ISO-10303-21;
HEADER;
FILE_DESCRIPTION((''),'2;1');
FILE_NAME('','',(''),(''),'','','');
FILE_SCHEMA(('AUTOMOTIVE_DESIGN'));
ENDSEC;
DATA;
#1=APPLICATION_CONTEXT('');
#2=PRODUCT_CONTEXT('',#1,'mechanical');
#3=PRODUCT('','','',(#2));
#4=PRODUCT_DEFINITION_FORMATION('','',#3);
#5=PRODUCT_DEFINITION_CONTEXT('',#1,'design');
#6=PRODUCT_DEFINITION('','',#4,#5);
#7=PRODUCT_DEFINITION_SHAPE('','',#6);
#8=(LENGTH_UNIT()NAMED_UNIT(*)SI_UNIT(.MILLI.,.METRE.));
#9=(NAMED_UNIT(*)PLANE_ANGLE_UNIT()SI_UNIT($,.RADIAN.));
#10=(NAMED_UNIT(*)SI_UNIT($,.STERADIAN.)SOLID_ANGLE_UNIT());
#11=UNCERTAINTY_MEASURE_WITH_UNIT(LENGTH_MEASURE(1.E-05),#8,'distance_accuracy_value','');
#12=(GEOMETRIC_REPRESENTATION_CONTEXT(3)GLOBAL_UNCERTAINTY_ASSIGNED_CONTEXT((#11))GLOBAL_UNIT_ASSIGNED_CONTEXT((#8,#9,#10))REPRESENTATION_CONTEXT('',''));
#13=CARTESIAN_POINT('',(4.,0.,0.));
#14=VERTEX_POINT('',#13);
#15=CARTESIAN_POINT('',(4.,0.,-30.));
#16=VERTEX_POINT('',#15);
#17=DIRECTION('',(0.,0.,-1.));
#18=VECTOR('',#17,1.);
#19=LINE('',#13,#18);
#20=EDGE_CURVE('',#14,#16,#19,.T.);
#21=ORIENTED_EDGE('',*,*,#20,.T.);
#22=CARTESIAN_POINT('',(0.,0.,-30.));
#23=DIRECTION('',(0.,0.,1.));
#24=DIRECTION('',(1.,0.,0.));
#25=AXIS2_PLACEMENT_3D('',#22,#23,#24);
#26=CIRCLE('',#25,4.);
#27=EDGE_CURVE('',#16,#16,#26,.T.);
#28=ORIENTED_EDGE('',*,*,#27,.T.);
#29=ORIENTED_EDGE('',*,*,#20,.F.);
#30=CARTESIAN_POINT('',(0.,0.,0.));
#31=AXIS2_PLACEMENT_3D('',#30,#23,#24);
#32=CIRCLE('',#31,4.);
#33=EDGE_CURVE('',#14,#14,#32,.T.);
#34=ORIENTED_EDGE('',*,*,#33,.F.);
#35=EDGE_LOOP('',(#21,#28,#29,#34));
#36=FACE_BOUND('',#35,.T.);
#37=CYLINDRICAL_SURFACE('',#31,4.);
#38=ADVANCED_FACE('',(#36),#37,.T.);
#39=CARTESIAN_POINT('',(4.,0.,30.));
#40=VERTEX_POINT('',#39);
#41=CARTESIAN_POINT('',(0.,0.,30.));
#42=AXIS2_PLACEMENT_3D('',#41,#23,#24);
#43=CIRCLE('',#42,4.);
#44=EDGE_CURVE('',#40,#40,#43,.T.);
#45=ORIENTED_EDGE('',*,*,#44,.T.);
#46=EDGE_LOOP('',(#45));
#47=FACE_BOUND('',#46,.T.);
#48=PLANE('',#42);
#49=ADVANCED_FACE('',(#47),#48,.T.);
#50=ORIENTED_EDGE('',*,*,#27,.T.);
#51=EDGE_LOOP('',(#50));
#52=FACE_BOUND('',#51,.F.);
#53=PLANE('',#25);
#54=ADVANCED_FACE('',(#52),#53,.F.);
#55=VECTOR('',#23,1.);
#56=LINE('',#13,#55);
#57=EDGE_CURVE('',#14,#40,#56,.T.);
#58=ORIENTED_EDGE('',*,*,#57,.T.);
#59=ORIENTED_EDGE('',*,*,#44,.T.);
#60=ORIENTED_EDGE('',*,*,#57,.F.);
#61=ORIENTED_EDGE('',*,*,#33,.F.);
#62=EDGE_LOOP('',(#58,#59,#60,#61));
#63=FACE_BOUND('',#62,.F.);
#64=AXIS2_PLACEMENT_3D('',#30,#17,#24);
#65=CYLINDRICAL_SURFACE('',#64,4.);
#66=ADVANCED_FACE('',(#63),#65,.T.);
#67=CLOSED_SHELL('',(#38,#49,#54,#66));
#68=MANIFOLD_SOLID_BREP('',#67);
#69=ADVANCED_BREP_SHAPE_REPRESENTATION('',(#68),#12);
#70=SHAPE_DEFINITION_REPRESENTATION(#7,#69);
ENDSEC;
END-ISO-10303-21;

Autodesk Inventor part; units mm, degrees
ref_plane "YZ Plane" through (0, 0, 0) normal (1, 0, 0) x (0, 1, 0)
ref_plane "XZ Plane" through (0, 0, 0) normal (0, 1, 0) x (-1, 0, 0)
ref_plane "XY Plane" through (0, 0, 0) normal (0, 0, 1) x (1, 0, 0)
sketch "Sketch1" plane through (0, 0, 0) normal (0, 0, 1) x (1, 0, 0)
  circle A0 centre (0, 0) radius 4
  dimension "d0" = 8
extrude "Extrusion1" add sketch "Sketch1" along normal mid plane 60
properties part number "01_Truc_01"
